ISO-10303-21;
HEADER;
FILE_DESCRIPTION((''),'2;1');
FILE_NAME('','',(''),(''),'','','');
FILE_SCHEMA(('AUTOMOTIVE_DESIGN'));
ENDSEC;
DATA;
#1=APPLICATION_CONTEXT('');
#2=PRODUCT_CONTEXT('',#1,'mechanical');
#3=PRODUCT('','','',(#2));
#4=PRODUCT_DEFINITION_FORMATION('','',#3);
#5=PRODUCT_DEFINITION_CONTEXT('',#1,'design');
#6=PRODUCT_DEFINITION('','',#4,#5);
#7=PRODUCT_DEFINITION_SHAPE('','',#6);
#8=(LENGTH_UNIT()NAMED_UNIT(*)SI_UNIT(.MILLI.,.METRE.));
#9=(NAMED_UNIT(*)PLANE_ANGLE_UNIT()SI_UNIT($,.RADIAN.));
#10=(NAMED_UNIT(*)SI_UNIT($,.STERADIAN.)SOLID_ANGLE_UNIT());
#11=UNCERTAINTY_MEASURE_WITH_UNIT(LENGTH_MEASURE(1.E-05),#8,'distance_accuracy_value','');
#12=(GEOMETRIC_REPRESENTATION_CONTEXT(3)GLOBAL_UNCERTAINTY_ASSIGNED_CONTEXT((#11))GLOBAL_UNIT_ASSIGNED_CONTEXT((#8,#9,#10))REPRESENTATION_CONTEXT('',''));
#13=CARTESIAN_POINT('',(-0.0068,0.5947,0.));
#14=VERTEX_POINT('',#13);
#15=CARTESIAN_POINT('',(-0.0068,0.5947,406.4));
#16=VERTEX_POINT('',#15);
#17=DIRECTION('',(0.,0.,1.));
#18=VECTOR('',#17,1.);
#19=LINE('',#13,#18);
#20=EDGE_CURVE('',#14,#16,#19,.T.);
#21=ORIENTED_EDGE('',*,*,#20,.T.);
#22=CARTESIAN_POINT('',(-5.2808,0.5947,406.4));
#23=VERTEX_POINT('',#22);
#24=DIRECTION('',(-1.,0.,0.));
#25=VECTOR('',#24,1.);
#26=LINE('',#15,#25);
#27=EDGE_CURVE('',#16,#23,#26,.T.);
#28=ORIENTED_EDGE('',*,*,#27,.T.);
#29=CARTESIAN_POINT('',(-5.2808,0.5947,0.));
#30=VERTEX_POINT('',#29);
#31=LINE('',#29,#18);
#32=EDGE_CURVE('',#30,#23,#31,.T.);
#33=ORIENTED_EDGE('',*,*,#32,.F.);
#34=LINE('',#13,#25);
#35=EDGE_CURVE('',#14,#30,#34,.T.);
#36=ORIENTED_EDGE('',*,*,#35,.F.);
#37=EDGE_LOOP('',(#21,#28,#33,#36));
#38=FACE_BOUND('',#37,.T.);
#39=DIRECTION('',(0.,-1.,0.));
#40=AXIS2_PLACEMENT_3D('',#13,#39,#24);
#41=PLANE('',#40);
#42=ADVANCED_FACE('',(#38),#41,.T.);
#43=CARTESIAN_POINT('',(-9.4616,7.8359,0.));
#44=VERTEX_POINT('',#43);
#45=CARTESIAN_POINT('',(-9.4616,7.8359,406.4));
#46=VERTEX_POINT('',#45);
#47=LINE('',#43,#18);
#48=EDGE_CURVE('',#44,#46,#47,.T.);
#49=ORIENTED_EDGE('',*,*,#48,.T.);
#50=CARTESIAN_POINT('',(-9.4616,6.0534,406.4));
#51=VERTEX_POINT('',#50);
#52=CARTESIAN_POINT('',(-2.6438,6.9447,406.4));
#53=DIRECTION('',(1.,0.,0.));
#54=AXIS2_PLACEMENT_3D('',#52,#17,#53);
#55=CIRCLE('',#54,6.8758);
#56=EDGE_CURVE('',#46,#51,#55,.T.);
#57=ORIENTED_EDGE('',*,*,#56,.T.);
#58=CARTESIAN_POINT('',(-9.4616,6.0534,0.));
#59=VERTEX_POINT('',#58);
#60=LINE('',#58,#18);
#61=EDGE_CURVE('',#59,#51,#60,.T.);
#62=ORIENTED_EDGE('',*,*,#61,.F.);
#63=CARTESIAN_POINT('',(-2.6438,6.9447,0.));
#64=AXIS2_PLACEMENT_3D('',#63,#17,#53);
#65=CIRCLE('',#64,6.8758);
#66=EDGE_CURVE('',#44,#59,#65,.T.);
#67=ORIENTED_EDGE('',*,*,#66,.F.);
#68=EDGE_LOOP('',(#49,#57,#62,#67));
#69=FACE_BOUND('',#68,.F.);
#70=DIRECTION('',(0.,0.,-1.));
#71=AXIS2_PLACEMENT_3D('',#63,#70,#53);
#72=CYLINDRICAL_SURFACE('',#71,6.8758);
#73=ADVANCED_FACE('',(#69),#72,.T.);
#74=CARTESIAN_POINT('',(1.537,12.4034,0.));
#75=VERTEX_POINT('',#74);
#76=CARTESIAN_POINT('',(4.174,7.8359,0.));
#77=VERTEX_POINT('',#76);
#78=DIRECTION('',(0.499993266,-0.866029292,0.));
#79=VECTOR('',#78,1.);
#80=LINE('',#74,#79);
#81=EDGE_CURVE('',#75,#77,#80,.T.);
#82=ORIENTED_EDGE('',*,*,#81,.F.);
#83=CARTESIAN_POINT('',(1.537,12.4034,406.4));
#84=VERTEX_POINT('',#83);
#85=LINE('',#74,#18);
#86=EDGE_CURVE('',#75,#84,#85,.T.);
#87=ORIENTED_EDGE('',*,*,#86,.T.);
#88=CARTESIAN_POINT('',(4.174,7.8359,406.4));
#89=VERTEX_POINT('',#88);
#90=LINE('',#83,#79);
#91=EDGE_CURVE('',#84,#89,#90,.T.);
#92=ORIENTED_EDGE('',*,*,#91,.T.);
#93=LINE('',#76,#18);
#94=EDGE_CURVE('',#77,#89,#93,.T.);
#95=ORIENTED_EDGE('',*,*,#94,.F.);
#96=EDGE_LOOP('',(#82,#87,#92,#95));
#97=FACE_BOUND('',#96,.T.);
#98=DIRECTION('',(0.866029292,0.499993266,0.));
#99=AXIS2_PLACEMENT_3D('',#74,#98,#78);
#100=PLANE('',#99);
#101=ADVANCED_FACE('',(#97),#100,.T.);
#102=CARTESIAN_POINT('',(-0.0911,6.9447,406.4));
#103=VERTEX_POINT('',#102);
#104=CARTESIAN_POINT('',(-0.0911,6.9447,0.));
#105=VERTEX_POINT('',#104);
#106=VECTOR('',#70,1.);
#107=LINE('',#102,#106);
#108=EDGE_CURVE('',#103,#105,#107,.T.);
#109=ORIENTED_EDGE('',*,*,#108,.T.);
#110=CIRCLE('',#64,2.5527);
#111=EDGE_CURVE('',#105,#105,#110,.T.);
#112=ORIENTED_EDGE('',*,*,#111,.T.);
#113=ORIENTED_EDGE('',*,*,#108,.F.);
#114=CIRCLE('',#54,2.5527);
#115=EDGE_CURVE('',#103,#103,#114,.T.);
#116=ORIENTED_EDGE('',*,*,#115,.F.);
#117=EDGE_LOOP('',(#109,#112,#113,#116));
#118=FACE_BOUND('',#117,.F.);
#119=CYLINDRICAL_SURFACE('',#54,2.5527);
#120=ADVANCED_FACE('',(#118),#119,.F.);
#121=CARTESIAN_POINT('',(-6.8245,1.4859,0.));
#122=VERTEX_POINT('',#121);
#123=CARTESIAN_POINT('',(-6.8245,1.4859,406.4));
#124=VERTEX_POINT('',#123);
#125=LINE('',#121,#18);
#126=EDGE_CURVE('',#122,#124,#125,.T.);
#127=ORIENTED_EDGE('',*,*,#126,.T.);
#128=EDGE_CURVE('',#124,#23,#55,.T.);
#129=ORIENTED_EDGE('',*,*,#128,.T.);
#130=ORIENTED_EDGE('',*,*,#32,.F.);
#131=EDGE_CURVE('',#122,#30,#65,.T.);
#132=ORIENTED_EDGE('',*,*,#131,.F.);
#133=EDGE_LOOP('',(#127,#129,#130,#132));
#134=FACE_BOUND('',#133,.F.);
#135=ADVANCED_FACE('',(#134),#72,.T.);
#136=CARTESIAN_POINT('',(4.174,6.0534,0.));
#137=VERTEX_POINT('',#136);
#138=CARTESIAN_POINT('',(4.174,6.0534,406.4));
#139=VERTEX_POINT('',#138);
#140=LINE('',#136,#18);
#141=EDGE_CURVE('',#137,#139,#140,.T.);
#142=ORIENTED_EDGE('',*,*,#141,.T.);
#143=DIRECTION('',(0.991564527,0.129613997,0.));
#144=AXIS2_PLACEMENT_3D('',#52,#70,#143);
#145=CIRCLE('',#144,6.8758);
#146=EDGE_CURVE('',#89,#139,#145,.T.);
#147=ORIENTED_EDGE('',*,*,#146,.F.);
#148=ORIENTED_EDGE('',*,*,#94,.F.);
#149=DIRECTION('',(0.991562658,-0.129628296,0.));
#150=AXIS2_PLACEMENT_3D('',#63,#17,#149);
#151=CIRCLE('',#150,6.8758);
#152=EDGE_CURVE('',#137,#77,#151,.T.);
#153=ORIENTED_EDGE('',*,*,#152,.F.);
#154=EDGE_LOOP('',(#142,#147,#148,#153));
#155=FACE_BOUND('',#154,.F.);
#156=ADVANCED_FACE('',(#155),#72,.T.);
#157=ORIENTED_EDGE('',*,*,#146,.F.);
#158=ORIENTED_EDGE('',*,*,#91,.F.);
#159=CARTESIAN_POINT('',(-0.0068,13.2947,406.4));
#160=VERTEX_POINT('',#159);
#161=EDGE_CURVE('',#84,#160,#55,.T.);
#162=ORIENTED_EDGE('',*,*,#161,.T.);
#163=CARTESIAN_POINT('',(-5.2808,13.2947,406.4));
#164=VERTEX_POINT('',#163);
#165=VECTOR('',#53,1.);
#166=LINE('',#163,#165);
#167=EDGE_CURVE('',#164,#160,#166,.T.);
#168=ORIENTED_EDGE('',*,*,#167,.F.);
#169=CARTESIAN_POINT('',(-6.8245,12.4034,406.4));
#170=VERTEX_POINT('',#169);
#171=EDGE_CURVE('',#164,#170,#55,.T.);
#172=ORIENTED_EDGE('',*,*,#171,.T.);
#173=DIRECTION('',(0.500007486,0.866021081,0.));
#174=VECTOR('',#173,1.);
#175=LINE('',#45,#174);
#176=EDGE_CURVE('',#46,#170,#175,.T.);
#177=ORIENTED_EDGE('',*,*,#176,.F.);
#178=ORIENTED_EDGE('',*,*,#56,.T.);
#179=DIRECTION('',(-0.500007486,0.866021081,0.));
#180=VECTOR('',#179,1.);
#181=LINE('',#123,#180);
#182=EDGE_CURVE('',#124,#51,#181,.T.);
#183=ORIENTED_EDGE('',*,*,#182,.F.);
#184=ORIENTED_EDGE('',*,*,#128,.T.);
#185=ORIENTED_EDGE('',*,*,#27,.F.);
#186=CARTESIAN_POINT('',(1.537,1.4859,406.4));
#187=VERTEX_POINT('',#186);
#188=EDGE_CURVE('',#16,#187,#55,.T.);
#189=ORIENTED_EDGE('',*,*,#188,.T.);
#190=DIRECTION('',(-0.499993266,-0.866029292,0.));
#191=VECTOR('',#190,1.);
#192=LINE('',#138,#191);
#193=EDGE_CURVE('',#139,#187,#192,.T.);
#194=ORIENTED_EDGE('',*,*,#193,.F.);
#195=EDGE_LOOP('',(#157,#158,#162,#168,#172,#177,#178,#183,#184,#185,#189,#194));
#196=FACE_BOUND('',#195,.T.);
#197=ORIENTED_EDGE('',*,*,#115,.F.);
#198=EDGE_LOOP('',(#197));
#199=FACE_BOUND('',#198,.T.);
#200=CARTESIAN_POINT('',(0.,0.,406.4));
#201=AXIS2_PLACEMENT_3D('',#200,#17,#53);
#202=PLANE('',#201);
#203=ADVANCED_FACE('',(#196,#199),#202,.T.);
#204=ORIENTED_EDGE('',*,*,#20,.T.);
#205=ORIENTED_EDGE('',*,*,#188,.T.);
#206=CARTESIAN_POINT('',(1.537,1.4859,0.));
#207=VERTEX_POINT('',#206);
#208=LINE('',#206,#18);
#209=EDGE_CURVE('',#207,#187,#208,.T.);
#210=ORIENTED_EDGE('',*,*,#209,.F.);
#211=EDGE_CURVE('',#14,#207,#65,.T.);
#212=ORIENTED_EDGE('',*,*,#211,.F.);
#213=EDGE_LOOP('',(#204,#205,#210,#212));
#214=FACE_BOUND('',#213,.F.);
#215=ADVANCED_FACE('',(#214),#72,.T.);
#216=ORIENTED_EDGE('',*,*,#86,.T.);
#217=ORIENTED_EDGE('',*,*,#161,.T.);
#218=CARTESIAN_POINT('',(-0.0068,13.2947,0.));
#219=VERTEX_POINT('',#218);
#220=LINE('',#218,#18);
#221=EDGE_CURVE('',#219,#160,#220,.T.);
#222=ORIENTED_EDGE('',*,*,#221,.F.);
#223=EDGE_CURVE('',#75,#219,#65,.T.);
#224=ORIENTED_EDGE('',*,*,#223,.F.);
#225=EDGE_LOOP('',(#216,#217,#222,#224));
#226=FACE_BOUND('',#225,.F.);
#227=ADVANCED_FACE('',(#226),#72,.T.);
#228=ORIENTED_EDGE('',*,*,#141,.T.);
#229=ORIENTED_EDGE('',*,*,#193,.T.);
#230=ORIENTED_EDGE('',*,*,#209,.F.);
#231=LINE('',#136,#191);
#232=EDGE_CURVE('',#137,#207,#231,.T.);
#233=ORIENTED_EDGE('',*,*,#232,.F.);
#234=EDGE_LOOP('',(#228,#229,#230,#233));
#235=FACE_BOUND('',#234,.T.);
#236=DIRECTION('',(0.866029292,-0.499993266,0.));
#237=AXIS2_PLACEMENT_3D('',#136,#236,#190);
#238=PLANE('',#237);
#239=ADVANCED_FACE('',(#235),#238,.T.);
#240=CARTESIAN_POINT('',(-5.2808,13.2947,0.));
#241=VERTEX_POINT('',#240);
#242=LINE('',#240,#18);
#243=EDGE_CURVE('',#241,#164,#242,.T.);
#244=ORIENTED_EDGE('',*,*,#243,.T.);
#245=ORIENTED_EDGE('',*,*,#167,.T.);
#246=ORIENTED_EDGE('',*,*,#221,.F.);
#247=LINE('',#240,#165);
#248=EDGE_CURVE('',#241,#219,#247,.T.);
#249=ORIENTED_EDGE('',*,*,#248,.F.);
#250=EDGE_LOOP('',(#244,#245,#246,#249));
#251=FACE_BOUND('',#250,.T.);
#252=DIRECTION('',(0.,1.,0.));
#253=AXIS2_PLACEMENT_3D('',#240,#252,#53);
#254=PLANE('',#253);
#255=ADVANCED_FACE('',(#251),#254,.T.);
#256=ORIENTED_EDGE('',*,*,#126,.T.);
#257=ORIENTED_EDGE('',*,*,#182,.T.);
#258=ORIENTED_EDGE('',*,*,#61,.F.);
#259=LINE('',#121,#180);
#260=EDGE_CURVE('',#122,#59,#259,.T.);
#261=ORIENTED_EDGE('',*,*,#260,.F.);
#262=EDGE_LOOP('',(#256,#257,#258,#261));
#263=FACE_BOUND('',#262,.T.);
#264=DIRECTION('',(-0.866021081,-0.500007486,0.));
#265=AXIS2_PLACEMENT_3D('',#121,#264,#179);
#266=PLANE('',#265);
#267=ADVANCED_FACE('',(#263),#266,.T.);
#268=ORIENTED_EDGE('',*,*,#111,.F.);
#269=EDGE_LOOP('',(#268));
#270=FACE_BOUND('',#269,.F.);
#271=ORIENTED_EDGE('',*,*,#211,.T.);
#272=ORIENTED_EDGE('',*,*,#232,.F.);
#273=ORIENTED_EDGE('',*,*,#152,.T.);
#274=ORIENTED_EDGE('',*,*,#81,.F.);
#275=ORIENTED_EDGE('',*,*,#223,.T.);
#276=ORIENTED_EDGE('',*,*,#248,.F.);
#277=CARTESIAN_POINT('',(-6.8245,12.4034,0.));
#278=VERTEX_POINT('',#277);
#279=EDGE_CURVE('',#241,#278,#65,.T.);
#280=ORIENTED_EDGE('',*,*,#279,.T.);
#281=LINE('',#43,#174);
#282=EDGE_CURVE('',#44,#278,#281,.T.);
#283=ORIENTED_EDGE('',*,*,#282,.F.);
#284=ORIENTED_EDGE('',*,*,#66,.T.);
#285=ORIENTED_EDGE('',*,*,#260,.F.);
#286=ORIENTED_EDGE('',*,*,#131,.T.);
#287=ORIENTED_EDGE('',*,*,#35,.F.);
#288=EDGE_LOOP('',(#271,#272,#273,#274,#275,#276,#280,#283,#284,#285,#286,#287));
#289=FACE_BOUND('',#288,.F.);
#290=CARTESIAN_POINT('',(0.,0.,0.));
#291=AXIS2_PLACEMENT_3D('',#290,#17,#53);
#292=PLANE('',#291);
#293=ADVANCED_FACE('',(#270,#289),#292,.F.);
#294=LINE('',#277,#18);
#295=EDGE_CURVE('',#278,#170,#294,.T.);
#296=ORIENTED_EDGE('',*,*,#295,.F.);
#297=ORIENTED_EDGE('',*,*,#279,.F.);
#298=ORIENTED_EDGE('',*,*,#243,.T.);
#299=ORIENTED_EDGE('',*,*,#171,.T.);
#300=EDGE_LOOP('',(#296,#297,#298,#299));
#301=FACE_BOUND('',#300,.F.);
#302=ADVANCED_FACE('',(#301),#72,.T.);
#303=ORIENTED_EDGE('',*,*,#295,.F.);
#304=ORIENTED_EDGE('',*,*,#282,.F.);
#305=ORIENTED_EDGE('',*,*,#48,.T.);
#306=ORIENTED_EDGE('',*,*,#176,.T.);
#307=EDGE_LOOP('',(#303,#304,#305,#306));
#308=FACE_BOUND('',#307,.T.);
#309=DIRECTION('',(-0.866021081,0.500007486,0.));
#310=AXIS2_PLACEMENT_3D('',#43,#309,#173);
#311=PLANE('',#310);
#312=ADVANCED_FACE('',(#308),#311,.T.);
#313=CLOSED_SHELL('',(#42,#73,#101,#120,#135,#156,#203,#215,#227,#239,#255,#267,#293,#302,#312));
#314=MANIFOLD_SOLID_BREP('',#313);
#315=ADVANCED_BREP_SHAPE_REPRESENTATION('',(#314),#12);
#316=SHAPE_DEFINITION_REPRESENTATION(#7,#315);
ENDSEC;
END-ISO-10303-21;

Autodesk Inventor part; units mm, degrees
ref_plane "YZ Plane" through (0, 0, 0) normal (1, 0, 0) x (0, 1, 0)
ref_plane "XZ Plane" through (0, 0, 0) normal (0, 1, 0) x (-1, 0, 0)
ref_plane "XY Plane" through (0, 0, 0) normal (0, 0, 1) x (1, 0, 0)
sketch "Sketch1" plane through (0, 0, 0) normal (0, 0, 1) x (1, 0, 0)
  circle A0 centre (-2.6438, 6.9447) radius 6.8758
  line L0 (-9.4616, 7.8359) -> (-6.8245, 12.4034)
  line L1 (-6.8245, 1.4859) -> (-9.4616, 6.0534)
  line L2 (-0.0068, 0.5947) -> (-5.2808, 0.5947)
  line L3 (4.174, 6.0534) -> (1.537, 1.4859)
  line L4 (1.537, 12.4034) -> (4.174, 7.8359)
  line L5 (-5.2808, 13.2947) -> (-0.0068, 13.2947)
  point P0 (0, 0)
  point P1 (1.537, 1.4859)
  dimension "d0" = 13.7516
  dimension "d4" = 360
extrude "Extrusion1" add sketch "Sketch1" along normal blind 406.4 contours A0 L3 L2 L1 L0 L5 L4
sketch "Sketch2" plane through (0, 0, 406.4) normal (0, 0, 1) x (1, 0, 0)
  circle A0 centre (-2.6438, 6.9447) radius 2.5527
  line L0 (-5.2808, 0.5947) -> (-0.0068, 0.5947) projected
  line L1 (-2.6438, 6.9447) -> (-5.2808, 0.5947) construction
  line L2 (-2.6438, 6.9447) -> (-0.0068, 0.5947) construction
  point P0 (0, 0)
  dimension "d8" = 5.1054
  dimension "d9" = 6.35
extrude "Extrusion2" cut sketch "Sketch2" against normal blind 406.4
equation "\"d6\" = d5"
equation "\"d10\" = d5"
equation "\"d5\" = 406.4"
properties part number "9inthundershaft" material "Aluminum 6061"
